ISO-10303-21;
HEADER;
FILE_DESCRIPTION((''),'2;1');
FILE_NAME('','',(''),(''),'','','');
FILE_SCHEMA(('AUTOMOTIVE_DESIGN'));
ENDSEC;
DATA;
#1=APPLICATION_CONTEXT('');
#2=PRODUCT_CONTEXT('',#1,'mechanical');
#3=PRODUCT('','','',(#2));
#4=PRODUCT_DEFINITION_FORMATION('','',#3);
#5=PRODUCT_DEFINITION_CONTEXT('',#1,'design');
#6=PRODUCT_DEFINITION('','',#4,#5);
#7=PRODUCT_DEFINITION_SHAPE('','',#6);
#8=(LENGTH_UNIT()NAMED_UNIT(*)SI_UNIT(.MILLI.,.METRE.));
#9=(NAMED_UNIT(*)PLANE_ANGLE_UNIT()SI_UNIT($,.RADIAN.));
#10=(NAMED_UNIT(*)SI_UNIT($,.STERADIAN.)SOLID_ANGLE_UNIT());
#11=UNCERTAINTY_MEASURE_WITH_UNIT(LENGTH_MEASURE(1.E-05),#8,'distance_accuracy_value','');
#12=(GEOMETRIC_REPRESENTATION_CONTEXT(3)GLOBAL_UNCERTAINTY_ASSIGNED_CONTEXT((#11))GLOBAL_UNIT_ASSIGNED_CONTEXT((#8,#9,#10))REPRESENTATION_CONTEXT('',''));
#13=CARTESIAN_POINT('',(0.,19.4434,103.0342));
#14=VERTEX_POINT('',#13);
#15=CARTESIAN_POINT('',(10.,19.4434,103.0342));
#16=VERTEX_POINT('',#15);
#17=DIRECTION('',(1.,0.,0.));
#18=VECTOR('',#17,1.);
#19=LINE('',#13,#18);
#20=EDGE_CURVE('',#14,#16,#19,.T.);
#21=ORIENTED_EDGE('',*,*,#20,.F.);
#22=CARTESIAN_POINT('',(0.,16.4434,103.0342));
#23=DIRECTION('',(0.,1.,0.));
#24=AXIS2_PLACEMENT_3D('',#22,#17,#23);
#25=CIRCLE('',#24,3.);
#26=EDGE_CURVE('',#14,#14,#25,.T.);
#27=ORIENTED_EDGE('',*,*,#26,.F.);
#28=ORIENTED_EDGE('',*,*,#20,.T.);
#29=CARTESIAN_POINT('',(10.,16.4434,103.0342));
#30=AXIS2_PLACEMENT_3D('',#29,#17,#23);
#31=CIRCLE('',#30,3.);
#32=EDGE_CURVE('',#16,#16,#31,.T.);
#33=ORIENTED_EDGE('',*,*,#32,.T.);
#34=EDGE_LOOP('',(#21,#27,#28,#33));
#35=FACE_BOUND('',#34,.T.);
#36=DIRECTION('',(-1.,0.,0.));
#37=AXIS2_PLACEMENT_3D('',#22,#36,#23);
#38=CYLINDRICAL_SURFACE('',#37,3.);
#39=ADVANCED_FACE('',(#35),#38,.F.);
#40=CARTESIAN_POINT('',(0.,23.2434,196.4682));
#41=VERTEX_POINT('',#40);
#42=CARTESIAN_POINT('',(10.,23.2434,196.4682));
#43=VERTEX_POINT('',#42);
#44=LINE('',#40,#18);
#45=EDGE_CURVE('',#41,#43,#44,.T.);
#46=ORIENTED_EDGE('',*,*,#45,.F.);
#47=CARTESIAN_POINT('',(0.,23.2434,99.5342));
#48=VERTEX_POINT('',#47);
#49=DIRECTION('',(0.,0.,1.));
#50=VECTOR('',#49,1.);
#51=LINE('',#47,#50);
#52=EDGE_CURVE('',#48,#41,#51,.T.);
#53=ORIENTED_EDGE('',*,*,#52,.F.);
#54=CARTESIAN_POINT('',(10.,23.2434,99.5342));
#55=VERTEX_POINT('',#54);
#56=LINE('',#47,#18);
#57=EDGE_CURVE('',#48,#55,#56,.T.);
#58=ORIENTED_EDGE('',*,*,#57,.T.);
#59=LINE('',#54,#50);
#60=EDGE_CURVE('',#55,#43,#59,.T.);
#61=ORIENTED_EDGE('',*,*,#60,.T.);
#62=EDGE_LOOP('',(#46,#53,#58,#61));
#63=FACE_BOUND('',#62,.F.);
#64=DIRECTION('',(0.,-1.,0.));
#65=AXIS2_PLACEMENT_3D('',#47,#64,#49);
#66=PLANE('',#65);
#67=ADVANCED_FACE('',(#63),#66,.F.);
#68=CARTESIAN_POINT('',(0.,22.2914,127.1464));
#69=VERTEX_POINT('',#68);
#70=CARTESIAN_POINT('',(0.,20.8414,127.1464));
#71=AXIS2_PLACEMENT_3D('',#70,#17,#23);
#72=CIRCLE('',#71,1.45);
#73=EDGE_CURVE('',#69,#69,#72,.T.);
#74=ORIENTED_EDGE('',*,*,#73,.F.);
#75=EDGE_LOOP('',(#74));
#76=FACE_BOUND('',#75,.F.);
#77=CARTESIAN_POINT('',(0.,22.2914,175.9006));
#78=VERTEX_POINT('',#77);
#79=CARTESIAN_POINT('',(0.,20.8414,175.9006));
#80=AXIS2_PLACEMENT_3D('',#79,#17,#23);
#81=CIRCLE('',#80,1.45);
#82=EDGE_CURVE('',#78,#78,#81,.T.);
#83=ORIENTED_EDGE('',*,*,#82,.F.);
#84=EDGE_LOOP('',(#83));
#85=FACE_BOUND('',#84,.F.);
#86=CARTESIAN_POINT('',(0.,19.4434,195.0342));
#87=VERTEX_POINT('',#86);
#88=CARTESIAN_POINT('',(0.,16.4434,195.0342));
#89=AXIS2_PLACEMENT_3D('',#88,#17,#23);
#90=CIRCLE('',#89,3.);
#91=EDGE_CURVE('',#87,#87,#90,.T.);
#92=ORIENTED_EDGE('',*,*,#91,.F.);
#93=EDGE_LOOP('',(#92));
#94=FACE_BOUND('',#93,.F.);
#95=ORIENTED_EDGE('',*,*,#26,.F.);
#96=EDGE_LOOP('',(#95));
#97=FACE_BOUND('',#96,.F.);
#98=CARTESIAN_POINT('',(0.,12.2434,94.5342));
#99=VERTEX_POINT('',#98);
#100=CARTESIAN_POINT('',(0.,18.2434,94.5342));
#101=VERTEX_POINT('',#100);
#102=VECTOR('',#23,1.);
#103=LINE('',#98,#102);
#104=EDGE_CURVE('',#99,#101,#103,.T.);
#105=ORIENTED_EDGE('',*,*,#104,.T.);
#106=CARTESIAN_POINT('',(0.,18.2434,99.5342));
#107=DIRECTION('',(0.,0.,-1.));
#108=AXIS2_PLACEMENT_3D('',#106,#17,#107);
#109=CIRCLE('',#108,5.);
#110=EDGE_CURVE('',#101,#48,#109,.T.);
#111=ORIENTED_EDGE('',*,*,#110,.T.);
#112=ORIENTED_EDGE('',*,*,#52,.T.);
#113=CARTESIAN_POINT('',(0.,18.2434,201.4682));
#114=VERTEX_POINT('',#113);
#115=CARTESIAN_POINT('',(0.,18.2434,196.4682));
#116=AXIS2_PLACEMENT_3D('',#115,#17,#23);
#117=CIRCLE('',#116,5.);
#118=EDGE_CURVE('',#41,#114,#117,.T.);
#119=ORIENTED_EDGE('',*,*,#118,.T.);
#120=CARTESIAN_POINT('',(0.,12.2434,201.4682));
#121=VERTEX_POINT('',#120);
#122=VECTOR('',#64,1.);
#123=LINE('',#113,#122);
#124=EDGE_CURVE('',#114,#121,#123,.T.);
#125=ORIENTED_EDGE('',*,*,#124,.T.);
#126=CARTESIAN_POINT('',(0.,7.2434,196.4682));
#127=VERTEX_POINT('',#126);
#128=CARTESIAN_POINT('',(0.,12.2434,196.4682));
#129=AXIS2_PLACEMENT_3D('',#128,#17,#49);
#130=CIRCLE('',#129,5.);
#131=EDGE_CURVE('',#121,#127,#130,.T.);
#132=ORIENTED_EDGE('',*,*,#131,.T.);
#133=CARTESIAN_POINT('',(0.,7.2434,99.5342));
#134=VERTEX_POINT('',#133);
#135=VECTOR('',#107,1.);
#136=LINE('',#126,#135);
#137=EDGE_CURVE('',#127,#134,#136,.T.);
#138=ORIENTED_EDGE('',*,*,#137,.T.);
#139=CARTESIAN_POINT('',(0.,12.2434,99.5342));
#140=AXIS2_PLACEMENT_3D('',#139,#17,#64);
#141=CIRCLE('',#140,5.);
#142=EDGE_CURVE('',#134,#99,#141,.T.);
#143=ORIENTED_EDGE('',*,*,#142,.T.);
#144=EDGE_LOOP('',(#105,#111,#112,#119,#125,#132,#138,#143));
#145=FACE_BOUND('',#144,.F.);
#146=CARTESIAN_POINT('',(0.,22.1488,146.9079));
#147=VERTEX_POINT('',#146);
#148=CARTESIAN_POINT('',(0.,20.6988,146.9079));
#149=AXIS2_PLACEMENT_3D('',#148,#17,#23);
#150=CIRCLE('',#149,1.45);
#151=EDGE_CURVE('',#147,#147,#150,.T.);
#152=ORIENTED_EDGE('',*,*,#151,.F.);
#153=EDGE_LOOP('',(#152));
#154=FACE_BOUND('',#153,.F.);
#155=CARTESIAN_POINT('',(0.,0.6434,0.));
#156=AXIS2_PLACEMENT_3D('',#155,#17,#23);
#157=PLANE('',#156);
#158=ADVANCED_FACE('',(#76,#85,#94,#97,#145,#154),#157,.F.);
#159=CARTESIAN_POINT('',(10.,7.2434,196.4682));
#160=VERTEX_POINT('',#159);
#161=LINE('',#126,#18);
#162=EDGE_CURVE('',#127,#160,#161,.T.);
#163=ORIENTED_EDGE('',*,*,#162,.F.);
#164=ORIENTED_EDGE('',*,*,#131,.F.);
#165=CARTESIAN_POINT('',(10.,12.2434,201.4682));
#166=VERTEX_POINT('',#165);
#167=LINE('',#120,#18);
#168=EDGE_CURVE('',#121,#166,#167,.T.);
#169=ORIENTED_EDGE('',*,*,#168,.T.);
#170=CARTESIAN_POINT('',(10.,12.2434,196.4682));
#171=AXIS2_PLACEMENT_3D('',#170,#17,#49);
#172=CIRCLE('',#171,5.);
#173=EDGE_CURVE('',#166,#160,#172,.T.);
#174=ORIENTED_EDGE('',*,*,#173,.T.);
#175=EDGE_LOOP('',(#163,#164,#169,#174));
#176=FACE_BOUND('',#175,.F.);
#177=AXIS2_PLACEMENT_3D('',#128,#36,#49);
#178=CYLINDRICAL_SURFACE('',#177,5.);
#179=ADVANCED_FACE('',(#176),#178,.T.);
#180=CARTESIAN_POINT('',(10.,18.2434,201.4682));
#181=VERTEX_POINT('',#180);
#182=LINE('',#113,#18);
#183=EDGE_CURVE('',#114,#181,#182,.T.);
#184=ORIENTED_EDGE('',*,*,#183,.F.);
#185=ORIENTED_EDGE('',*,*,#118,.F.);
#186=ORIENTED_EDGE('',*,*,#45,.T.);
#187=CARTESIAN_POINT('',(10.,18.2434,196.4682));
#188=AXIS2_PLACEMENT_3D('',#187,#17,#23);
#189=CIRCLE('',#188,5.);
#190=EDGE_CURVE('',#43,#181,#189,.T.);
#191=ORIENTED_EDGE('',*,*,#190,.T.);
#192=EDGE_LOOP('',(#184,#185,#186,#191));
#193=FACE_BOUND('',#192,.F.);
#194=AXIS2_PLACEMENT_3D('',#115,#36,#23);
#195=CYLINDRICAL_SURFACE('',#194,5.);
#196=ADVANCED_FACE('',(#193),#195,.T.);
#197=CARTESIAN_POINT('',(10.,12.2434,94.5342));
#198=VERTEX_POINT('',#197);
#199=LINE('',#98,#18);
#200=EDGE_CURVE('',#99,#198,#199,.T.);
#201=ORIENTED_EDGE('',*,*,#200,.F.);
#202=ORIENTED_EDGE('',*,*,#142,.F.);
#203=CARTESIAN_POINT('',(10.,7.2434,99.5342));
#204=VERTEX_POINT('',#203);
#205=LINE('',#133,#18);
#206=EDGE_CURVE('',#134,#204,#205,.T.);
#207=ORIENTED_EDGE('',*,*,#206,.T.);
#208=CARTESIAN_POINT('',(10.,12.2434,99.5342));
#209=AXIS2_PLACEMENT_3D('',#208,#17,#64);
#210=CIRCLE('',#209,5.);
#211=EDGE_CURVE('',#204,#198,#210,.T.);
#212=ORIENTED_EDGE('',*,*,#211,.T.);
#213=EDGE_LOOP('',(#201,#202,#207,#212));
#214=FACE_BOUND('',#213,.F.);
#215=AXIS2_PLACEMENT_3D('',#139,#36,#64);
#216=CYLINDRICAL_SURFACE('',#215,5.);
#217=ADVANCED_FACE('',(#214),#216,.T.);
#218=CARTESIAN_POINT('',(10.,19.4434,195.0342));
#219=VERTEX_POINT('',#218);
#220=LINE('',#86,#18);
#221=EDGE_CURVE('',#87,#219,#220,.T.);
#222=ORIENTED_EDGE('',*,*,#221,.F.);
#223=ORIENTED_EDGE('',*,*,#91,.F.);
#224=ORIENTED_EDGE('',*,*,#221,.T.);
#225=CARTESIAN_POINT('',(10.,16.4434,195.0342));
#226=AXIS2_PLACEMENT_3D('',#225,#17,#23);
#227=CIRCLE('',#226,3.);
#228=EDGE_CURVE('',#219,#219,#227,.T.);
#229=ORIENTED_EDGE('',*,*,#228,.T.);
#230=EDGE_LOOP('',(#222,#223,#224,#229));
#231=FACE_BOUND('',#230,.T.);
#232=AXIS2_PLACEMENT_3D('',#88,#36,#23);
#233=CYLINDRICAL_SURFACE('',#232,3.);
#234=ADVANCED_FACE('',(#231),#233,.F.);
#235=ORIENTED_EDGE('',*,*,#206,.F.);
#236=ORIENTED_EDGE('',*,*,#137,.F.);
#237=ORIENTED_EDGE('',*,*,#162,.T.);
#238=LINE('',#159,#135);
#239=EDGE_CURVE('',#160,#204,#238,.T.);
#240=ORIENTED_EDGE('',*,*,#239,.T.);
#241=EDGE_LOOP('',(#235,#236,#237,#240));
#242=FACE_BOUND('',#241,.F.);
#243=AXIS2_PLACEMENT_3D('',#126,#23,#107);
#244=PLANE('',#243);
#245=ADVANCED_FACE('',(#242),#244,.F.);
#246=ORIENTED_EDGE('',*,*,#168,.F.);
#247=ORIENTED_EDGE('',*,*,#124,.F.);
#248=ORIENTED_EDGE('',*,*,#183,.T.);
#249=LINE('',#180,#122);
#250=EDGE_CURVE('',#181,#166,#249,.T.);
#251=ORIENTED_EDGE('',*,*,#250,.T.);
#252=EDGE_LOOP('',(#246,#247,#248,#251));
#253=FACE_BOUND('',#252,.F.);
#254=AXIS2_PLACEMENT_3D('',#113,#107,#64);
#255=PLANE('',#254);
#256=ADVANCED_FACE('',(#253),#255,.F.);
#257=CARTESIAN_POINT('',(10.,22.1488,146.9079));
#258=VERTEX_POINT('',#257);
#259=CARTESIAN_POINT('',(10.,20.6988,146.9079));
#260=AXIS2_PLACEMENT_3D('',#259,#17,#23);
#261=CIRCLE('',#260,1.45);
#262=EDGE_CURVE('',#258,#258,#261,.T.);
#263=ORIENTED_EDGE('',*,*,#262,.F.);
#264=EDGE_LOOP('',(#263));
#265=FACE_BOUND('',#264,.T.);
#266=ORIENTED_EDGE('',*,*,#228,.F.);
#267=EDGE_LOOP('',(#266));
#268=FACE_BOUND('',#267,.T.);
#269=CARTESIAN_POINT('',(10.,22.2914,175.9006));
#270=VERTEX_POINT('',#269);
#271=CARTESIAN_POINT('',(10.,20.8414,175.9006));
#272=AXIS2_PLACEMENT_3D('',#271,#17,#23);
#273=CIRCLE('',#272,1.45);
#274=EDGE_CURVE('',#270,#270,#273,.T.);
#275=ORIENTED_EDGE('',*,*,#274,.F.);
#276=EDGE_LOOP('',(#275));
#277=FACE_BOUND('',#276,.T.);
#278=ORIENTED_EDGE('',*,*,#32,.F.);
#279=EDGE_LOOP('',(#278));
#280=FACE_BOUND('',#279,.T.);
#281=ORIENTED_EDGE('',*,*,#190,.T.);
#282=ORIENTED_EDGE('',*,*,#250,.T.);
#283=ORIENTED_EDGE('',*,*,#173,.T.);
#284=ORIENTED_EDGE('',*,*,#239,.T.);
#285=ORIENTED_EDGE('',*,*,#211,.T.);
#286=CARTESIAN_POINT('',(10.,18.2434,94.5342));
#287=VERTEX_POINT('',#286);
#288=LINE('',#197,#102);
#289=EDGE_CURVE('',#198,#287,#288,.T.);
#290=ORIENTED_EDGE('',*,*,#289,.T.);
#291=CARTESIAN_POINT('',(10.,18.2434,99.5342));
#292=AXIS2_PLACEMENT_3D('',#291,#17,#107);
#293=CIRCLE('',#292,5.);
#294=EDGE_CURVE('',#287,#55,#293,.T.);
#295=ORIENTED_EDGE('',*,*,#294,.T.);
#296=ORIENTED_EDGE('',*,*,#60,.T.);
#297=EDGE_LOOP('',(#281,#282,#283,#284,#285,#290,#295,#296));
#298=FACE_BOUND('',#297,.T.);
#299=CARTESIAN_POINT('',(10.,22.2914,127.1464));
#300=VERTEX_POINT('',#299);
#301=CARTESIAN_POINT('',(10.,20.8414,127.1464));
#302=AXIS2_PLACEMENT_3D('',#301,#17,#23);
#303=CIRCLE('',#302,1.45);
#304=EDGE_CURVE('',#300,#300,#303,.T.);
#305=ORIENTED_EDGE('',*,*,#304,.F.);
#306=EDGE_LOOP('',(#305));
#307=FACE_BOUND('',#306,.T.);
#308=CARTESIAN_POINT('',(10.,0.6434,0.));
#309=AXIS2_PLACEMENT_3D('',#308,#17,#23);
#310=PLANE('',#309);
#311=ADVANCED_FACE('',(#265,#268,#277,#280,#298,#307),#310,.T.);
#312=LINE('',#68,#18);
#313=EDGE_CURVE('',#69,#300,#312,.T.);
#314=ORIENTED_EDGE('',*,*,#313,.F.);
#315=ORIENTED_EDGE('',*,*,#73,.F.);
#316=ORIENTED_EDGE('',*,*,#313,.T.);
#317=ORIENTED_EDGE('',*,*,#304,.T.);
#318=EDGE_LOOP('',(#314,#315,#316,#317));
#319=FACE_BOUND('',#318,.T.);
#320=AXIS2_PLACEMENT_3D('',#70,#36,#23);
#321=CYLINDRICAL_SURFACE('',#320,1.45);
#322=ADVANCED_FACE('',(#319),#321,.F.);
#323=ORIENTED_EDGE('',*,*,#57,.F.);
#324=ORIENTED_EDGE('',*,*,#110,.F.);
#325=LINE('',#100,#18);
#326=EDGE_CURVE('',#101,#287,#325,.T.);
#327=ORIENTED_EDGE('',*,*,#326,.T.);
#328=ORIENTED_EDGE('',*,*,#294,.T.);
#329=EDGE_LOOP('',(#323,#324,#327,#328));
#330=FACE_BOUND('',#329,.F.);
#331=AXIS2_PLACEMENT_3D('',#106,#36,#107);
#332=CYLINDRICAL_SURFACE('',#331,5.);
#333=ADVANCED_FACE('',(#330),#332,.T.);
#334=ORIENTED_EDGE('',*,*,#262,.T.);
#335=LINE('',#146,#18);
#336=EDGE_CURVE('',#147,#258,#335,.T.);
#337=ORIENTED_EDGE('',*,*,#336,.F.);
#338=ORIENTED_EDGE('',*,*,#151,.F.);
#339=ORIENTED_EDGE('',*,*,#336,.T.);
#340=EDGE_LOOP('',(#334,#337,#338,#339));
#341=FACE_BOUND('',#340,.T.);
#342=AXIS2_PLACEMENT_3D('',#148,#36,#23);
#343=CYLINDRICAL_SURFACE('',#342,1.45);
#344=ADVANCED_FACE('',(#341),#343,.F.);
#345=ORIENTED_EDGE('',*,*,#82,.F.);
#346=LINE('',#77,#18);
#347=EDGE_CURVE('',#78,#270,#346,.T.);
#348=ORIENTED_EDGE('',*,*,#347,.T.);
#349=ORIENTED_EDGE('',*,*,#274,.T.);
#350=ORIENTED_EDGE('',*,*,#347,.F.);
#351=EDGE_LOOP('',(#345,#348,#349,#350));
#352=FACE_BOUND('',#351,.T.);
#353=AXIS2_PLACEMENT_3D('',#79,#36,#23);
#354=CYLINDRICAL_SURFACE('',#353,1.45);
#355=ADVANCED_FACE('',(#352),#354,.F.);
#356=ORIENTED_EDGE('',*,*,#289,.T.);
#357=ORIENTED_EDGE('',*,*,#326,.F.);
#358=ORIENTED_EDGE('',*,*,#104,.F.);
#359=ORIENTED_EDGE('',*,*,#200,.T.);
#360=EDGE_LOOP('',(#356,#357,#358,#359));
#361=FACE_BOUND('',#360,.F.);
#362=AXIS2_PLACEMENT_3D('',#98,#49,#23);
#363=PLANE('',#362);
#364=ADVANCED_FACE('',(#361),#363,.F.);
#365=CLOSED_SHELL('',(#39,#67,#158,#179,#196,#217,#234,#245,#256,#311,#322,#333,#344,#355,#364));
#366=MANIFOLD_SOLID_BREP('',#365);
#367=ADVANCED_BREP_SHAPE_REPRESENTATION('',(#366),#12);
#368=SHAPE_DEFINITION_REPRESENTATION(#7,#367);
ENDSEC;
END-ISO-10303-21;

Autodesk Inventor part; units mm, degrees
ref_plane "YZ Plane" through (0, 0, 0) normal (1, 0, 0) x (0, 1, 0)
ref_plane "XZ Plane" through (0, 0, 0) normal (0, 1, 0) x (-1, 0, 0)
ref_plane "XY Plane" through (0, 0, 0) normal (0, 0, 1) x (1, 0, 0)
sketch "Sketch1" plane through (0, 0.6434, 0) normal (1, 0, 0) x (0, 1, 0)
  circle A0 centre (15.8, 195.0342) radius 3 construction
  circle A1 centre (15.8, 103.0342) radius 3 construction
  circle A2 centre (20.0554, 146.9079) radius 1.45 construction
  circle A3 centre (-24.7132, 132.4283) radius 3.5 construction
  circle A4 centre (-24.9297, 123.6553) radius 3.5 construction
  circle A5 centre (15.1664, 127.0554) radius 4 construction
  circle A6 centre (-25.4429, 102.8495) radius 4 construction
  circle A7 centre (-24.2, 153.2342) radius 4 construction
  circle A8 centre (14.5499, 102.063) radius 2.95 construction
  circle A9 centre (16.8187, 194.035) radius 2.95 construction
  line L0 (-1.4549, 93.9552) -> (-1.2206, 103.4531) construction
  line L1 (-1.4549, 93.9552) -> (16.1397, 93.5212) construction
  arc A10 (16.1397, 93.5212) -> (21.2615, 98.3964) centre (16.263, 98.5197) ccw construction
  line L2 (21.2615, 98.3964) -> (23.652, 195.301) construction
  arc A11 (23.652, 195.301) -> (18.7768, 200.4228) centre (18.6535, 195.4243) ccw construction
  line L3 (18.7768, 200.4228) -> (12.8677, 200.5685) construction
  arc A12 (12.8677, 200.5685) -> (8.4173, 198.0753) centre (12.7444, 195.57) ccw construction
  line L4 (8.4173, 198.0753) -> (0.9275, 185.1387) construction
  line L5 (0.1833, 154.9709) -> (0.9275, 185.1387) construction
  line L6 (-7.9473, 155.1714) -> (0.1833, 154.9709) construction
  line L7 (-7.8733, 158.1705) -> (-7.9473, 155.1714) construction
  line L8 (-2.3058, 158.0332) -> (-7.8733, 158.1705) construction
  line L9 (-1.7513, 180.5119) -> (-2.3058, 158.0332) construction
  line L10 (-1.7513, 180.5119) -> (-12.8987, 161.2579) construction
  line L11 (-29.7936, 161.6747) -> (-12.8987, 161.2579) construction
  arc A13 (-29.7936, 161.6747) -> (-31.8423, 159.7246) centre (-29.8429, 159.6753) ccw construction
  line L12 (-31.8423, 159.7246) -> (-33.3959, 96.7438) construction
  arc A14 (-33.3959, 96.7438) -> (-31.4458, 94.695) centre (-31.3965, 96.6944) ccw construction
  line L13 (-31.4458, 94.695) -> (-3.885, 94.0152) construction
  line L14 (-3.7247, 100.514) -> (-3.885, 94.0152) construction
  line L15 (-9.2922, 100.6513) -> (-3.7247, 100.514) construction
  line L16 (-9.2182, 103.6504) -> (-9.2922, 100.6513) construction
  line L17 (-1.2206, 103.4531) -> (-9.2182, 103.6504) construction
  circle A15 centre (14.1273, 157.9245) radius 4.7908 construction
  line L18 (17.6, 201.4682) -> (11.6, 201.4682)
  line L19 (6.6, 196.4682) -> (6.6, 99.5342)
  line L20 (11.6, 94.5342) -> (17.6, 94.5342)
  line L21 (22.6, 99.5342) -> (22.6, 196.4682)
  arc A16 (11.6, 201.4682) -> (6.6, 196.4682) centre (11.6, 196.4682) ccw
  arc A17 (22.6, 196.4682) -> (17.6, 201.4682) centre (17.6, 196.4682) ccw
  arc A18 (17.6, 94.5342) -> (22.6, 99.5342) centre (17.6, 99.5342) ccw
  arc A19 (6.6, 99.5342) -> (11.6, 94.5342) centre (11.6, 99.5342) ccw
  circle A20 centre (20.0554, 146.9079) radius 1.45 projected
  circle A21 centre (15.8, 103.0342) radius 3 projected
  circle A22 centre (15.8, 195.0342) radius 3 projected
  circle A23 centre (20.198, 175.9006) radius 1.45
  circle A24 centre (20.198, 127.1464) radius 1.45
  point P0 (-0.6434, 0)
  point P1 (6.6, 94.5342)
  dimension "d0" = 16
  dimension "d1" = 5
  dimension "d2" = 2.9
  dimension "d3" = 2.9
extrude "Extrusion1" add sketch "Sketch1" along normal blind 10
properties part number "Neje_Base_Slide_y_stop"
